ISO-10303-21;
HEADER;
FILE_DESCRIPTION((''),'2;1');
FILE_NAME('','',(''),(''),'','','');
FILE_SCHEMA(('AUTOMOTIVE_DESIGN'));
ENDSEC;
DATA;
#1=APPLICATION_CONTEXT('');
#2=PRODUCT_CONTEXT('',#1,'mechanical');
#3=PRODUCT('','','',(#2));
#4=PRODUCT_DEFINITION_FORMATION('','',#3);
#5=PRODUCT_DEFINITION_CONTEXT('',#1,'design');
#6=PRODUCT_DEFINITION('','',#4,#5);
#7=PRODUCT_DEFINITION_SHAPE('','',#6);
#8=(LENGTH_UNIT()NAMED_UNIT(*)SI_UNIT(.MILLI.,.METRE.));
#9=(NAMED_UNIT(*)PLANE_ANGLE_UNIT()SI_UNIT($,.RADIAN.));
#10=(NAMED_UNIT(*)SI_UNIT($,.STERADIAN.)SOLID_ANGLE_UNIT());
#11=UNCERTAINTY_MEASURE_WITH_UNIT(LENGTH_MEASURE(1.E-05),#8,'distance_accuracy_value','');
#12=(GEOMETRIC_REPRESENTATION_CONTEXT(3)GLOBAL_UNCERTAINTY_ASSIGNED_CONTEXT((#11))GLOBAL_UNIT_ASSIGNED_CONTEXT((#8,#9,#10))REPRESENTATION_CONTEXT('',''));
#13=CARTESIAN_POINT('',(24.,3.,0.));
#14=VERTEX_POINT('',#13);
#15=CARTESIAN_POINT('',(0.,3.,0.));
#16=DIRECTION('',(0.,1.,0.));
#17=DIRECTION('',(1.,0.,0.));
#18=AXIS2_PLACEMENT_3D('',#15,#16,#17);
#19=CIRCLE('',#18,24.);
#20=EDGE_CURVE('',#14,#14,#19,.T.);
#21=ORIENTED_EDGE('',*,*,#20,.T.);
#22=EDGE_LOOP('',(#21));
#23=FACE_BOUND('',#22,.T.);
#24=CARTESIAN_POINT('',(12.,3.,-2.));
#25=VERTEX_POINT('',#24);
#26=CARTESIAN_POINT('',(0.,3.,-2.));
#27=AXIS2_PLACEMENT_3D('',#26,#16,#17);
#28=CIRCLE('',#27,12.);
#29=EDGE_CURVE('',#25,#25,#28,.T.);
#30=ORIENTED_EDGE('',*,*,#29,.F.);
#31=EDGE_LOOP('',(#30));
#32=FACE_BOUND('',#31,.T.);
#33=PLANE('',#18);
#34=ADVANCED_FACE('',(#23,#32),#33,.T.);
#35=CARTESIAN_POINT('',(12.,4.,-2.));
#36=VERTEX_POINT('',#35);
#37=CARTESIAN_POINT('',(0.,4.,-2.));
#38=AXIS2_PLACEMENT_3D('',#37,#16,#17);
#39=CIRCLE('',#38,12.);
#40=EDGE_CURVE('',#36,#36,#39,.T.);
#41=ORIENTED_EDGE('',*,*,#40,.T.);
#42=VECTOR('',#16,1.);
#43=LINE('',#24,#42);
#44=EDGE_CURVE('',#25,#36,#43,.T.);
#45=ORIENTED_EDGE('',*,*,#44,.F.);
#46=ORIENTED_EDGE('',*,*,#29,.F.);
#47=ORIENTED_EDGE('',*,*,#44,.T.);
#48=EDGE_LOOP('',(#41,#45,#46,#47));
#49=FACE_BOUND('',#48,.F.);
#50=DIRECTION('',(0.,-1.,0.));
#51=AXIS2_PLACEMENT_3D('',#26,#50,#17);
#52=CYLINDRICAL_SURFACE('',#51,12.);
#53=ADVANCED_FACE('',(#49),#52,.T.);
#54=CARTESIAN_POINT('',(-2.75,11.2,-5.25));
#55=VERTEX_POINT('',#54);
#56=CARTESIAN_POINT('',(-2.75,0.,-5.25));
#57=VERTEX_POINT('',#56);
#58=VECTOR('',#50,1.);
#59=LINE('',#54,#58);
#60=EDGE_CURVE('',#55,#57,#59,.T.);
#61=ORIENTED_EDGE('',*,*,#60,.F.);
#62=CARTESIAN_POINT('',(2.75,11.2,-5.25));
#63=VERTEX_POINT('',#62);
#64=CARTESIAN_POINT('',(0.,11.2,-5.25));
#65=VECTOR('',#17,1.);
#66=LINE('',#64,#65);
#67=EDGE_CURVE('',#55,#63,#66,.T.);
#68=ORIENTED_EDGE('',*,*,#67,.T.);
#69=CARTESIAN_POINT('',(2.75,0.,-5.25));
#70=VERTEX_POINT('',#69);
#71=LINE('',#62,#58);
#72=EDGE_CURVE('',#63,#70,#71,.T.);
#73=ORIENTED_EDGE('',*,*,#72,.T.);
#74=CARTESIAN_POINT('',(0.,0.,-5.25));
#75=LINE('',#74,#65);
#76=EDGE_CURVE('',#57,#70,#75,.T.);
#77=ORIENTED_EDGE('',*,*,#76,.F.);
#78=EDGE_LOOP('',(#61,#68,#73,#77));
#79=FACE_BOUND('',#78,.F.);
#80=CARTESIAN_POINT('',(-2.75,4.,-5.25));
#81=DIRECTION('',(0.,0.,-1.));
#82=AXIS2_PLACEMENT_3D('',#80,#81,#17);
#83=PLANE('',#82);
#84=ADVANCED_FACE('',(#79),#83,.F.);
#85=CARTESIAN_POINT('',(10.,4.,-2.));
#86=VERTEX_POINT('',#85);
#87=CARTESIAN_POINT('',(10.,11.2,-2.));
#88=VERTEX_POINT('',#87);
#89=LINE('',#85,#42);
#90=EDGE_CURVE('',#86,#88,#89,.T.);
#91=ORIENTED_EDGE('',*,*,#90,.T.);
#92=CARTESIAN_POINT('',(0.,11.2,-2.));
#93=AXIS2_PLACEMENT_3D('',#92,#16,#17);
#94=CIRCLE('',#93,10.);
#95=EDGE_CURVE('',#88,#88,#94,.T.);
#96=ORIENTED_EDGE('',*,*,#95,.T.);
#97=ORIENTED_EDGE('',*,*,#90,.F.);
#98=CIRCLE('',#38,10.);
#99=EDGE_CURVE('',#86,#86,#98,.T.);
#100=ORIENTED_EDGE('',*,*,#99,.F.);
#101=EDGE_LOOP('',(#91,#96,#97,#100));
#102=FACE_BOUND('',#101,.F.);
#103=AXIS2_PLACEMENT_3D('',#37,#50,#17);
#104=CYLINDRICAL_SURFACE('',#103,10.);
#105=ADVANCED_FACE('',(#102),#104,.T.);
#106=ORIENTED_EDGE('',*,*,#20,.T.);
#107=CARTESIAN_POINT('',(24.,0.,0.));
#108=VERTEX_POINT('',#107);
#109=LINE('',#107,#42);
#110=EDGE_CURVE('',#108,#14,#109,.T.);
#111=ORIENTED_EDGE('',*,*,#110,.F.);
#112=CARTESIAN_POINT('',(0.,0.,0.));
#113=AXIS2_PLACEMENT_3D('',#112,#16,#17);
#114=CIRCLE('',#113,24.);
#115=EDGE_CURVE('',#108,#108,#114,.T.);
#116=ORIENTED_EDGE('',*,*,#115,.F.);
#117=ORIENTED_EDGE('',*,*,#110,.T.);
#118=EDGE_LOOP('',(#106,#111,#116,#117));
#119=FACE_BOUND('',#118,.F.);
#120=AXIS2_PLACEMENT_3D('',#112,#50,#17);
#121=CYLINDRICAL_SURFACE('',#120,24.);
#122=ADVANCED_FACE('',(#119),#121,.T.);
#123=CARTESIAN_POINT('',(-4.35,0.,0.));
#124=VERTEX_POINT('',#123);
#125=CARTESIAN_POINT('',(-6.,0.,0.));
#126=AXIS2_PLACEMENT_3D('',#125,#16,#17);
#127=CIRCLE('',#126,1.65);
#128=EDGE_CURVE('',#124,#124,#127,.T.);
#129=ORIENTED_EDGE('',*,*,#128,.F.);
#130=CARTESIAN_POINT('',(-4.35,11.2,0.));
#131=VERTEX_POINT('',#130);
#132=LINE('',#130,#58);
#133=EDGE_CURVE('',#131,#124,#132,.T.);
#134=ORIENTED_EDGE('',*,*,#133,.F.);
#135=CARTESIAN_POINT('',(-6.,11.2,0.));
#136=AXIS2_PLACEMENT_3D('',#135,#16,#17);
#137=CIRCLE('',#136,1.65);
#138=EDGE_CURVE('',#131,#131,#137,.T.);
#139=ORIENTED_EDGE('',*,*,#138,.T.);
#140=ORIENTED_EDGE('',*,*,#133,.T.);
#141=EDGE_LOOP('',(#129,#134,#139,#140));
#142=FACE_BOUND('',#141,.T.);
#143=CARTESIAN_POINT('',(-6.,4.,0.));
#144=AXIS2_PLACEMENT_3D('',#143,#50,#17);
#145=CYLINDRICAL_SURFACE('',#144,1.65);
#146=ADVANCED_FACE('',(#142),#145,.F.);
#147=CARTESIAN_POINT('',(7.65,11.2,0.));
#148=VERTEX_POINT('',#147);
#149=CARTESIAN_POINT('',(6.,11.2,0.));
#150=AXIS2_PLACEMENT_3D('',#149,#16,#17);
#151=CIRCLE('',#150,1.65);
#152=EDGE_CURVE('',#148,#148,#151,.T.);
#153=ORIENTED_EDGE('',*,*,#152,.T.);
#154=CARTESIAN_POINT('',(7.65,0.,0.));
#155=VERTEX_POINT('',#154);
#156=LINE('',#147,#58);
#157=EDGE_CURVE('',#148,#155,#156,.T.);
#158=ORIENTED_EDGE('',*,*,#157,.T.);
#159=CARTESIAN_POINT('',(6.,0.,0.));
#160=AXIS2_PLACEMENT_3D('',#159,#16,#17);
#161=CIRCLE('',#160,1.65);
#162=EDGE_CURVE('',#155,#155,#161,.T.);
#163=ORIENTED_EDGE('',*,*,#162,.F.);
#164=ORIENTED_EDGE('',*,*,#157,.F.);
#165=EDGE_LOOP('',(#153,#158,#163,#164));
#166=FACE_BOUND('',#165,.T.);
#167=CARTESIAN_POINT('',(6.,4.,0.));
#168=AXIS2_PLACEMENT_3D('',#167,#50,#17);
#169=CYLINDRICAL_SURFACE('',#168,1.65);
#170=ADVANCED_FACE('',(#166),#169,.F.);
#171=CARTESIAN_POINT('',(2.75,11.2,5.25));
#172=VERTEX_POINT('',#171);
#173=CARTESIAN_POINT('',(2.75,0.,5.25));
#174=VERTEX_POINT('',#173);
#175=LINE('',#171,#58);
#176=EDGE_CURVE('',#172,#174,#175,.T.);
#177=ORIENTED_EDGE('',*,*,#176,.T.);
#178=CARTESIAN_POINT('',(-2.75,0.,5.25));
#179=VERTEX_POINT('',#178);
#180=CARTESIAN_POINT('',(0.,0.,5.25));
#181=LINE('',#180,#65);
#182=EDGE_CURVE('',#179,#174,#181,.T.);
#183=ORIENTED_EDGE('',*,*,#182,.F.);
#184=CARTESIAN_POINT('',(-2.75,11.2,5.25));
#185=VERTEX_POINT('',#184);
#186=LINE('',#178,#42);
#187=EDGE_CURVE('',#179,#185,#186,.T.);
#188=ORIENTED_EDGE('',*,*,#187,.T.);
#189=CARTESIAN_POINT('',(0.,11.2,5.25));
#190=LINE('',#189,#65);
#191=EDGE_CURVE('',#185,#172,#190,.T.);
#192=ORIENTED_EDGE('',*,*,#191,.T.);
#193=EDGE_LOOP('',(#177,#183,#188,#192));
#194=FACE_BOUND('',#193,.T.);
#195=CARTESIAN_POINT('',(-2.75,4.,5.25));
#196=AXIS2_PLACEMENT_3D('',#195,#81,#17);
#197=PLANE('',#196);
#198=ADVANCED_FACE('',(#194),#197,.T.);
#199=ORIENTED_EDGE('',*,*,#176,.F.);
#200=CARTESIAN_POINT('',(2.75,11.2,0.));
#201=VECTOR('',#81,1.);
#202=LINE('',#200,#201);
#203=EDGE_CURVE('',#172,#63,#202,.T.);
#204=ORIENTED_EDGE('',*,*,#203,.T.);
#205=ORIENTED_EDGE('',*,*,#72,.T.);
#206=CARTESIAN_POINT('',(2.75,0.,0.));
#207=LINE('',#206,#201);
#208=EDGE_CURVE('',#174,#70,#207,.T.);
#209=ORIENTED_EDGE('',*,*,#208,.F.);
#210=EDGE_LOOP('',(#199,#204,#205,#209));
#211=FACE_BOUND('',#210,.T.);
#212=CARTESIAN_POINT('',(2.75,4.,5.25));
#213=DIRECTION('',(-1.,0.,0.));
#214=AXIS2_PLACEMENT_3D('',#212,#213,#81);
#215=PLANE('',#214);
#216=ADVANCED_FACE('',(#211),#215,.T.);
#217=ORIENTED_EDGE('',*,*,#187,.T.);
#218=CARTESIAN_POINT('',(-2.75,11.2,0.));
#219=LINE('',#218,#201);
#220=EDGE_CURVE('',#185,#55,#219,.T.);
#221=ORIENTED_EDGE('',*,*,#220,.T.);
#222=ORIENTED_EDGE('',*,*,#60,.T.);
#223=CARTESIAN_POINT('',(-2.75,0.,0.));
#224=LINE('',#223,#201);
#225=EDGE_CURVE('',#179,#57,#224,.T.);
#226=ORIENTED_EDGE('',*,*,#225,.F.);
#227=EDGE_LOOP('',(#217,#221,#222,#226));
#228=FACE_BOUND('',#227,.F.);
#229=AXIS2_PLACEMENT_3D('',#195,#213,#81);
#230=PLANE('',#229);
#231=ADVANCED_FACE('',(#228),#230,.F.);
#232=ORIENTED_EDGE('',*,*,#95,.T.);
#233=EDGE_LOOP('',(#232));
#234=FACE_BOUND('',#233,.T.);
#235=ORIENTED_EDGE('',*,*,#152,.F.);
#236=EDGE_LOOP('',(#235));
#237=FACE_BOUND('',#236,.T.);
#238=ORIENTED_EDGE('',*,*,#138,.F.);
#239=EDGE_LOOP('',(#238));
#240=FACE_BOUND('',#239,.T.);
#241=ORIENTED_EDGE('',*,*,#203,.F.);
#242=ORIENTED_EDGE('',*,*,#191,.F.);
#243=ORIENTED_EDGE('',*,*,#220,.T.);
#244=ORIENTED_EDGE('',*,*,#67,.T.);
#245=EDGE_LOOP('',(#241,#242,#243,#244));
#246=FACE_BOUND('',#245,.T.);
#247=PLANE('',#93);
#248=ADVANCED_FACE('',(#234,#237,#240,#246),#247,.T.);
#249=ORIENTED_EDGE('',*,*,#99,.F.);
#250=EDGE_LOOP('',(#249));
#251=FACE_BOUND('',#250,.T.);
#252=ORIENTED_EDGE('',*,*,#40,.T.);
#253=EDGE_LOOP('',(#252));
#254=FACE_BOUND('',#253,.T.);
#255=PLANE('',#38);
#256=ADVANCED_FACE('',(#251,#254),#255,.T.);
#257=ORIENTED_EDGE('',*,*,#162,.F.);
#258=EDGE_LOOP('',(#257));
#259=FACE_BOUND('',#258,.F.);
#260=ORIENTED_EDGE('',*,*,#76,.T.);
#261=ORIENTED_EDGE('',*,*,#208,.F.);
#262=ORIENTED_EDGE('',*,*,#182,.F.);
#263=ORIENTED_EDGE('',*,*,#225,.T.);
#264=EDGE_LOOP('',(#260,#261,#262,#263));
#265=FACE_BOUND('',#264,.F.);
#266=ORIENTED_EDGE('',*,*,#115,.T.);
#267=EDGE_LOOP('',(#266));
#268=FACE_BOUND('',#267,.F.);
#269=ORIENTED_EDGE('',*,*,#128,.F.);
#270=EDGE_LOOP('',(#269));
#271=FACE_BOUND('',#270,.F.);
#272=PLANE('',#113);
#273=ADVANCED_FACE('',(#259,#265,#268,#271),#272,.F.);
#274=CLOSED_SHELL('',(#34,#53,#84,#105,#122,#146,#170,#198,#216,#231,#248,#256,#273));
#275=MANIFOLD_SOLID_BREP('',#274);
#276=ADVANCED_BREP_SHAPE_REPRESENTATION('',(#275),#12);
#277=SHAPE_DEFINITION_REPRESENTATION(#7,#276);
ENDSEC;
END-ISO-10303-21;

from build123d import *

# Parameters (mm, degrees)
SKETCH1_R           = 24
SKETCH1_R_2         = 1.65
SKETCH1_W           = 5.5
SKETCH1_H           = 10.5
BOSS_EXTRUDE1_DEPTH = 3
SKETCH2_R           = 12
SKETCH2_R_2         = 1.65
SKETCH2_W           = 5.5
SKETCH2_H           = 10.5
BOSS_EXTRUDE2_DEPTH = 1
SKETCH4_R           = 10
SKETCH4_R_2         = 1.65
SKETCH4_W           = 5.5
SKETCH4_H           = 10.5
BOSS_EXTRUDE3_DEPTH = 7.2


with BuildPart() as part:
    # Sketch1 → Boss-Extrude1 (new body)
    with BuildSketch(Plane(origin=(0, 0, 0), x_dir=(1, 0, 0), z_dir=(0, 1, 0))):
        Circle(SKETCH1_R)
        with Locations((-6, 0)):
            Circle(SKETCH1_R_2, mode=Mode.SUBTRACT)
        with Locations((6, 0)):
            Circle(SKETCH1_R_2, mode=Mode.SUBTRACT)
        Rectangle(SKETCH1_W, SKETCH1_H, mode=Mode.SUBTRACT)
    extrude(amount=BOSS_EXTRUDE1_DEPTH)

    # Sketch2 → Boss-Extrude2 (add)
    with BuildSketch(Plane(origin=(0, 3, 0), x_dir=(1, 0, 0), z_dir=(0, 1, 0))):
        with Locations((0, 2)):
            Circle(SKETCH2_R)
        with Locations((-6, 0)):
            Circle(SKETCH2_R_2, mode=Mode.SUBTRACT)
        with Locations((6, 0)):
            Circle(SKETCH2_R_2, mode=Mode.SUBTRACT)
        Rectangle(SKETCH2_W, SKETCH2_H, mode=Mode.SUBTRACT)
    extrude(amount=BOSS_EXTRUDE2_DEPTH)

    # Sketch4 → Boss-Extrude3 (add)
    with BuildSketch(Plane(origin=(0, 4, 0), x_dir=(1, 0, 0), z_dir=(0, 1, 0))):
        with Locations((0, 2)):
            Circle(SKETCH4_R)
        with Locations((-6, 0)):
            Circle(SKETCH4_R_2, mode=Mode.SUBTRACT)
        with Locations((6, 0)):
            Circle(SKETCH4_R_2, mode=Mode.SUBTRACT)
        Rectangle(SKETCH4_W, SKETCH4_H, mode=Mode.SUBTRACT)
    extrude(amount=BOSS_EXTRUDE3_DEPTH)


solid = part.part
